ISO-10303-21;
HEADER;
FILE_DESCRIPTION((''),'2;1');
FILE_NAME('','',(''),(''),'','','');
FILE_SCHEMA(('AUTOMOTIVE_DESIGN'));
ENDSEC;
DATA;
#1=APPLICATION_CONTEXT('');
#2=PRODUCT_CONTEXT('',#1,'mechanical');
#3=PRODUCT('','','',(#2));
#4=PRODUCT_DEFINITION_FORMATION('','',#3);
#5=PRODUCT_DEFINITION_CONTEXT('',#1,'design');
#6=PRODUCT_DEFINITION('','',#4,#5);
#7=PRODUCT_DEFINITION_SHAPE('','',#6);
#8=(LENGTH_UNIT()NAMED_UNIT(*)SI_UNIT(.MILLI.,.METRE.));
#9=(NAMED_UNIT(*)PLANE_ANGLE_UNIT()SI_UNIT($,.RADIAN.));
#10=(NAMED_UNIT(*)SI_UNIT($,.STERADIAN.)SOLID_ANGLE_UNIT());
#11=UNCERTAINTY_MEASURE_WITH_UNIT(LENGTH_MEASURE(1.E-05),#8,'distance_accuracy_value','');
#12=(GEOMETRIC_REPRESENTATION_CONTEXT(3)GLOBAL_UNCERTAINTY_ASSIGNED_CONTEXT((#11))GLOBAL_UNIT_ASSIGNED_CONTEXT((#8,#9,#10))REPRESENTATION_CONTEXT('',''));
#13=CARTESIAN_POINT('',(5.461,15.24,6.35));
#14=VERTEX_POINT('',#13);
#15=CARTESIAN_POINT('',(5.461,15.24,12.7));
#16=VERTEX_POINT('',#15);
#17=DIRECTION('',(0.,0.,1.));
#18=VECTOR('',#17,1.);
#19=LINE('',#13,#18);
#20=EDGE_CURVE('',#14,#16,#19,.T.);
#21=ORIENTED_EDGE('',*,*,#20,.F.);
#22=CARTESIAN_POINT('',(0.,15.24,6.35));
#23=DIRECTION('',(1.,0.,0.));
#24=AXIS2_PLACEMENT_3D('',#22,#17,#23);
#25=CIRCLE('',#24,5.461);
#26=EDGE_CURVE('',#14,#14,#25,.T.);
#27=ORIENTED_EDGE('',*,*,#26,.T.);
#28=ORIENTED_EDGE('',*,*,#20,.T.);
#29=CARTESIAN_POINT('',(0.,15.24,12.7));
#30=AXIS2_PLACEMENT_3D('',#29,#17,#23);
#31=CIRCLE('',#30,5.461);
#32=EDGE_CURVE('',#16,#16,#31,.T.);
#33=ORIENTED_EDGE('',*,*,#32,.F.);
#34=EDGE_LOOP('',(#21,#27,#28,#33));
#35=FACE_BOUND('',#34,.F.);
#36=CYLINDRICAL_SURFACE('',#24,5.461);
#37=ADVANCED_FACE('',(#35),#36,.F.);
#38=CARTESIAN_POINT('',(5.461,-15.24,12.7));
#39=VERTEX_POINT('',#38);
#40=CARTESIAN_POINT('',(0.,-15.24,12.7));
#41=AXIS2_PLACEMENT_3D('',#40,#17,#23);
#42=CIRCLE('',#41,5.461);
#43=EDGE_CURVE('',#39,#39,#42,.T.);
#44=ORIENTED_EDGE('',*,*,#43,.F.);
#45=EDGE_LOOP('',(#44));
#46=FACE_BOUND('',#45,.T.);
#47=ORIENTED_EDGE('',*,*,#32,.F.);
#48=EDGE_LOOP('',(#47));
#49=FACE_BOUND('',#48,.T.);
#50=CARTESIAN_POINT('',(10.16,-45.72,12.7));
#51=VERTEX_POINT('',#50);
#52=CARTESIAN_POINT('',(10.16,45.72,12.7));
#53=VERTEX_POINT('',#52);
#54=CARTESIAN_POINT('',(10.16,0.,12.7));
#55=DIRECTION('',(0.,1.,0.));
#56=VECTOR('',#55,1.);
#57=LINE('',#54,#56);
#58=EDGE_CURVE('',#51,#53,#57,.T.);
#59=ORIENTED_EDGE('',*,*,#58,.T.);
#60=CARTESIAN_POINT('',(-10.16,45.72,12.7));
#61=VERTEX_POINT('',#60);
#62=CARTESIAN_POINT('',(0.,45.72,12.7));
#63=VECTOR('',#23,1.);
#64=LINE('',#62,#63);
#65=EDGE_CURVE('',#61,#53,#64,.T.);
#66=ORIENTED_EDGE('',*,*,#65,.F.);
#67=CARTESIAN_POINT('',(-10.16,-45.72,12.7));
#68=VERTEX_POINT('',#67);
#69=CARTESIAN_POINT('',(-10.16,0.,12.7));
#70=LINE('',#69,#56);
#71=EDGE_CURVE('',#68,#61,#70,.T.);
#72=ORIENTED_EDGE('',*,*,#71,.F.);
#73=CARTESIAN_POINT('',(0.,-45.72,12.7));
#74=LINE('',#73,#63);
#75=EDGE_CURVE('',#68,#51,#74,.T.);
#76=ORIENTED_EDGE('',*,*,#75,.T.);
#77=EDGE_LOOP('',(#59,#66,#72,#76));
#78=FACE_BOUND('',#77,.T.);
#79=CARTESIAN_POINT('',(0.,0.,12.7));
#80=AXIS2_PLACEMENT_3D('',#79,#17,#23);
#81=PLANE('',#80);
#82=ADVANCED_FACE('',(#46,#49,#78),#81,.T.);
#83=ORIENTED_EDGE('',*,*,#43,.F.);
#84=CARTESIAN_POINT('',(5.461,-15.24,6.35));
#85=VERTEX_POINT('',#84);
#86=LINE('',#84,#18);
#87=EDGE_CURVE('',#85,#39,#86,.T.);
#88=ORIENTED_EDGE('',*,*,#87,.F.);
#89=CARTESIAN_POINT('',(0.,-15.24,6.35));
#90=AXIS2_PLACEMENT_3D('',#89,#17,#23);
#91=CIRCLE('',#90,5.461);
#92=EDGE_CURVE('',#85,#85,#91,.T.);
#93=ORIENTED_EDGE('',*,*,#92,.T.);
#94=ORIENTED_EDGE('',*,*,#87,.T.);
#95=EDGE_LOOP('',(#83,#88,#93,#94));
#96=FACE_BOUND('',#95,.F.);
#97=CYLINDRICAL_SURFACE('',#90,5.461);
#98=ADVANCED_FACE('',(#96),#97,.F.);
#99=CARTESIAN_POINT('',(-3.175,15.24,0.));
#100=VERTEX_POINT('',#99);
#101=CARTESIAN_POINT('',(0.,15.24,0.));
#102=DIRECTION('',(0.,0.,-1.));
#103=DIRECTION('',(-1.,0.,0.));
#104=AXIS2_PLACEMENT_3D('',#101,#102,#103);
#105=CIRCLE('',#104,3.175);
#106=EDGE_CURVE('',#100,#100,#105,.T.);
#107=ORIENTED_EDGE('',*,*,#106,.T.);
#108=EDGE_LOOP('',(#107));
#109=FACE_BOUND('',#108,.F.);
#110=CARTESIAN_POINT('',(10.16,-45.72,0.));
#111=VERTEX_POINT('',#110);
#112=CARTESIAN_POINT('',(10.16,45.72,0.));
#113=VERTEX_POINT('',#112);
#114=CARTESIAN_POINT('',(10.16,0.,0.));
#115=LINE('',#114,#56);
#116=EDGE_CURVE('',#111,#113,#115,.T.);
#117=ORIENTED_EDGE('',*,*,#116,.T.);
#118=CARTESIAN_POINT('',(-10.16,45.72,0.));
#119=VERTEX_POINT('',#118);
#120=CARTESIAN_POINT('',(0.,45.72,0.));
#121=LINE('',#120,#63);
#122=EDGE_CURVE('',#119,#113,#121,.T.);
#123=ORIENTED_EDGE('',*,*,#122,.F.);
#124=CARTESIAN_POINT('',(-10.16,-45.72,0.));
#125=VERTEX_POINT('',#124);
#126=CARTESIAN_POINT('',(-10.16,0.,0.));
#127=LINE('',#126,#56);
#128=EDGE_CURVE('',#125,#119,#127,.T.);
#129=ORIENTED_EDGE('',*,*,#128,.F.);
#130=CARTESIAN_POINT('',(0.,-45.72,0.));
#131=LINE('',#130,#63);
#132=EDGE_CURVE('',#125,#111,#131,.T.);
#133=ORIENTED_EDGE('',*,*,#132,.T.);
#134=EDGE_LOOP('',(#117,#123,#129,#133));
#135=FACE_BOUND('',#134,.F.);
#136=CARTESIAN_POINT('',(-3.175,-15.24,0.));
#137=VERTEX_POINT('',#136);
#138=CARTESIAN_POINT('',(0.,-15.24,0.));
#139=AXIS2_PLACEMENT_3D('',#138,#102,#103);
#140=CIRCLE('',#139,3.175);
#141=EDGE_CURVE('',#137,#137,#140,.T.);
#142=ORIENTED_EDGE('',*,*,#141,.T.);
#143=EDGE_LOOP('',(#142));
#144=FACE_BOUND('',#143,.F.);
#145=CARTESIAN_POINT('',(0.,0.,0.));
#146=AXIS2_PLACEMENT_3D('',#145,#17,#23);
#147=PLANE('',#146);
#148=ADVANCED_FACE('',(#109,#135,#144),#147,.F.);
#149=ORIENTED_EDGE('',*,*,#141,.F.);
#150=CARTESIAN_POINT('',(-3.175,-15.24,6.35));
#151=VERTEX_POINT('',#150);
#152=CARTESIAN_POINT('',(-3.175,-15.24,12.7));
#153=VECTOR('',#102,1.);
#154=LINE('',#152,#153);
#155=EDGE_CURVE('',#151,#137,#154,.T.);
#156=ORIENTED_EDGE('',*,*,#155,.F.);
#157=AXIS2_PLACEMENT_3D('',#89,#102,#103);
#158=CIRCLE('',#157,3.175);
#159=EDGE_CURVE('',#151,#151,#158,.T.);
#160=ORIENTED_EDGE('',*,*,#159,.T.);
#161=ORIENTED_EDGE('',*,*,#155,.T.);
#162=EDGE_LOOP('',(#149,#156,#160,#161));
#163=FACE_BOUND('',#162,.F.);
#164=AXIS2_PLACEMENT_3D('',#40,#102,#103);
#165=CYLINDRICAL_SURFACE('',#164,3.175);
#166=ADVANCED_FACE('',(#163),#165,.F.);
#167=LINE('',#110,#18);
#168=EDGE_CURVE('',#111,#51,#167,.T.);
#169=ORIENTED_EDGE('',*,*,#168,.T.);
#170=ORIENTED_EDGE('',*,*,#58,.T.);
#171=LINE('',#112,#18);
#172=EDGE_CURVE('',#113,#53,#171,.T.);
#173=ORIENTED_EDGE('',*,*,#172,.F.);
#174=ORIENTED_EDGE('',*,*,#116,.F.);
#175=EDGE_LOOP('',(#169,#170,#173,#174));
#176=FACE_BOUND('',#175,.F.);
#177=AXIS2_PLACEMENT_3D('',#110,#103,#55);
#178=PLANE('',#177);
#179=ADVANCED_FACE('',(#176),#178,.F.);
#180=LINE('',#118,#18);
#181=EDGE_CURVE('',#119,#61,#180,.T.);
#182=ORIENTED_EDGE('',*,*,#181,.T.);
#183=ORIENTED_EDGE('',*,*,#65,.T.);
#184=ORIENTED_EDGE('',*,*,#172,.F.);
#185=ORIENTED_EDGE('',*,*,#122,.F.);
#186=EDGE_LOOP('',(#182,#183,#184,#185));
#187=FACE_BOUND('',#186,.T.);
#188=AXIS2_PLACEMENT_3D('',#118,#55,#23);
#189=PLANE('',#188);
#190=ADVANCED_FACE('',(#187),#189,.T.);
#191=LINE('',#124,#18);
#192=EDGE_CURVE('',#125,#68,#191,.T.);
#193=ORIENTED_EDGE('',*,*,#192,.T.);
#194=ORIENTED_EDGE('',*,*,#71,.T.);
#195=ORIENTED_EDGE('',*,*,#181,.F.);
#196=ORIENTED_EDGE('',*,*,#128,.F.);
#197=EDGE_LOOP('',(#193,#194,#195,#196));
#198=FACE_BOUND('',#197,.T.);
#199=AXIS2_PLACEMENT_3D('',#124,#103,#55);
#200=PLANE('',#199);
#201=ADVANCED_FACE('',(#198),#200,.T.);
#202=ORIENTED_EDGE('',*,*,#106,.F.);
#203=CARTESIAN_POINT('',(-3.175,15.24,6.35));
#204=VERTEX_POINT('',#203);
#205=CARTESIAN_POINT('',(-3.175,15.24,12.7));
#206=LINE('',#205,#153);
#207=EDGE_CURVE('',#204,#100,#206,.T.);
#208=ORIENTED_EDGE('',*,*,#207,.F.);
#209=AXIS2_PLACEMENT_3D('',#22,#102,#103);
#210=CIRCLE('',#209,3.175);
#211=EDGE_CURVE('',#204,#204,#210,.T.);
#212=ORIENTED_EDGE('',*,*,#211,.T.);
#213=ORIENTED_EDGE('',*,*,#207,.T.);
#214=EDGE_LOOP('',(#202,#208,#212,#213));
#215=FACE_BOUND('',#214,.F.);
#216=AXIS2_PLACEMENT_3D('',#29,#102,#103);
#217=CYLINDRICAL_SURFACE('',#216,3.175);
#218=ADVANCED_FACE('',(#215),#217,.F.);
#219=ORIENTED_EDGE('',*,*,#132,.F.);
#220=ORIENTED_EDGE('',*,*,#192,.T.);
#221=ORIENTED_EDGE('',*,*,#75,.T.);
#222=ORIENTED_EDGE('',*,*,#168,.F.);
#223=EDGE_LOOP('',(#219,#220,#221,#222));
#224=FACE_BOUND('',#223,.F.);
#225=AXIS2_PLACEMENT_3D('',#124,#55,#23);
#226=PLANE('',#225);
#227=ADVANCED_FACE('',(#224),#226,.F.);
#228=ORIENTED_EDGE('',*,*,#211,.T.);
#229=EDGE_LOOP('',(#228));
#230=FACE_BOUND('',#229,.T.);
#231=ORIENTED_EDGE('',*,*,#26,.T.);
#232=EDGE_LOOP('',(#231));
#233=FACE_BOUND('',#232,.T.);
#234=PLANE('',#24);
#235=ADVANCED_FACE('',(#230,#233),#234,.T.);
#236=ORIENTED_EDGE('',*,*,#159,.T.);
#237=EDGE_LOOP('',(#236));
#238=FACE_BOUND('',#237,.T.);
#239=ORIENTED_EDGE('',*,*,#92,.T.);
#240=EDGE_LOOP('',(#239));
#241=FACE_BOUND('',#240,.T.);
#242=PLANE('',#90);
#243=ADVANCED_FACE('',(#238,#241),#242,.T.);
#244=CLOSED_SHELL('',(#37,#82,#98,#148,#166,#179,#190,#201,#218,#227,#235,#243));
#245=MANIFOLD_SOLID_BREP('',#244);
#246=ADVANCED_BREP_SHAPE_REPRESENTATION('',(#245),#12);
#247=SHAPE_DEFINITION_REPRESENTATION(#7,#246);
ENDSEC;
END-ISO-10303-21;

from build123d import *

# Parameters (mm, degrees)
F0_W           = 20.32
F0_H           = 91.44
F1_DEPTH       = 12.7
F3_D           = 6.35
F3_CBORE_D     = 10.922
F3_CBORE_DEPTH = 6.35


with BuildPart() as f1:
    # F0 (on Top) → F1 (new body)
    with BuildSketch(Plane.XY):
        Rectangle(F0_W, F0_H)
    extrude(amount=F1_DEPTH)

    # F3 (through all)
    with Locations(Plane.XY.offset(12.7)):
        with Locations((0, 15.24), (0, -15.24)):
            CounterBoreHole(F3_D / 2, F3_CBORE_D / 2, F3_CBORE_DEPTH)


solid = f1.part
